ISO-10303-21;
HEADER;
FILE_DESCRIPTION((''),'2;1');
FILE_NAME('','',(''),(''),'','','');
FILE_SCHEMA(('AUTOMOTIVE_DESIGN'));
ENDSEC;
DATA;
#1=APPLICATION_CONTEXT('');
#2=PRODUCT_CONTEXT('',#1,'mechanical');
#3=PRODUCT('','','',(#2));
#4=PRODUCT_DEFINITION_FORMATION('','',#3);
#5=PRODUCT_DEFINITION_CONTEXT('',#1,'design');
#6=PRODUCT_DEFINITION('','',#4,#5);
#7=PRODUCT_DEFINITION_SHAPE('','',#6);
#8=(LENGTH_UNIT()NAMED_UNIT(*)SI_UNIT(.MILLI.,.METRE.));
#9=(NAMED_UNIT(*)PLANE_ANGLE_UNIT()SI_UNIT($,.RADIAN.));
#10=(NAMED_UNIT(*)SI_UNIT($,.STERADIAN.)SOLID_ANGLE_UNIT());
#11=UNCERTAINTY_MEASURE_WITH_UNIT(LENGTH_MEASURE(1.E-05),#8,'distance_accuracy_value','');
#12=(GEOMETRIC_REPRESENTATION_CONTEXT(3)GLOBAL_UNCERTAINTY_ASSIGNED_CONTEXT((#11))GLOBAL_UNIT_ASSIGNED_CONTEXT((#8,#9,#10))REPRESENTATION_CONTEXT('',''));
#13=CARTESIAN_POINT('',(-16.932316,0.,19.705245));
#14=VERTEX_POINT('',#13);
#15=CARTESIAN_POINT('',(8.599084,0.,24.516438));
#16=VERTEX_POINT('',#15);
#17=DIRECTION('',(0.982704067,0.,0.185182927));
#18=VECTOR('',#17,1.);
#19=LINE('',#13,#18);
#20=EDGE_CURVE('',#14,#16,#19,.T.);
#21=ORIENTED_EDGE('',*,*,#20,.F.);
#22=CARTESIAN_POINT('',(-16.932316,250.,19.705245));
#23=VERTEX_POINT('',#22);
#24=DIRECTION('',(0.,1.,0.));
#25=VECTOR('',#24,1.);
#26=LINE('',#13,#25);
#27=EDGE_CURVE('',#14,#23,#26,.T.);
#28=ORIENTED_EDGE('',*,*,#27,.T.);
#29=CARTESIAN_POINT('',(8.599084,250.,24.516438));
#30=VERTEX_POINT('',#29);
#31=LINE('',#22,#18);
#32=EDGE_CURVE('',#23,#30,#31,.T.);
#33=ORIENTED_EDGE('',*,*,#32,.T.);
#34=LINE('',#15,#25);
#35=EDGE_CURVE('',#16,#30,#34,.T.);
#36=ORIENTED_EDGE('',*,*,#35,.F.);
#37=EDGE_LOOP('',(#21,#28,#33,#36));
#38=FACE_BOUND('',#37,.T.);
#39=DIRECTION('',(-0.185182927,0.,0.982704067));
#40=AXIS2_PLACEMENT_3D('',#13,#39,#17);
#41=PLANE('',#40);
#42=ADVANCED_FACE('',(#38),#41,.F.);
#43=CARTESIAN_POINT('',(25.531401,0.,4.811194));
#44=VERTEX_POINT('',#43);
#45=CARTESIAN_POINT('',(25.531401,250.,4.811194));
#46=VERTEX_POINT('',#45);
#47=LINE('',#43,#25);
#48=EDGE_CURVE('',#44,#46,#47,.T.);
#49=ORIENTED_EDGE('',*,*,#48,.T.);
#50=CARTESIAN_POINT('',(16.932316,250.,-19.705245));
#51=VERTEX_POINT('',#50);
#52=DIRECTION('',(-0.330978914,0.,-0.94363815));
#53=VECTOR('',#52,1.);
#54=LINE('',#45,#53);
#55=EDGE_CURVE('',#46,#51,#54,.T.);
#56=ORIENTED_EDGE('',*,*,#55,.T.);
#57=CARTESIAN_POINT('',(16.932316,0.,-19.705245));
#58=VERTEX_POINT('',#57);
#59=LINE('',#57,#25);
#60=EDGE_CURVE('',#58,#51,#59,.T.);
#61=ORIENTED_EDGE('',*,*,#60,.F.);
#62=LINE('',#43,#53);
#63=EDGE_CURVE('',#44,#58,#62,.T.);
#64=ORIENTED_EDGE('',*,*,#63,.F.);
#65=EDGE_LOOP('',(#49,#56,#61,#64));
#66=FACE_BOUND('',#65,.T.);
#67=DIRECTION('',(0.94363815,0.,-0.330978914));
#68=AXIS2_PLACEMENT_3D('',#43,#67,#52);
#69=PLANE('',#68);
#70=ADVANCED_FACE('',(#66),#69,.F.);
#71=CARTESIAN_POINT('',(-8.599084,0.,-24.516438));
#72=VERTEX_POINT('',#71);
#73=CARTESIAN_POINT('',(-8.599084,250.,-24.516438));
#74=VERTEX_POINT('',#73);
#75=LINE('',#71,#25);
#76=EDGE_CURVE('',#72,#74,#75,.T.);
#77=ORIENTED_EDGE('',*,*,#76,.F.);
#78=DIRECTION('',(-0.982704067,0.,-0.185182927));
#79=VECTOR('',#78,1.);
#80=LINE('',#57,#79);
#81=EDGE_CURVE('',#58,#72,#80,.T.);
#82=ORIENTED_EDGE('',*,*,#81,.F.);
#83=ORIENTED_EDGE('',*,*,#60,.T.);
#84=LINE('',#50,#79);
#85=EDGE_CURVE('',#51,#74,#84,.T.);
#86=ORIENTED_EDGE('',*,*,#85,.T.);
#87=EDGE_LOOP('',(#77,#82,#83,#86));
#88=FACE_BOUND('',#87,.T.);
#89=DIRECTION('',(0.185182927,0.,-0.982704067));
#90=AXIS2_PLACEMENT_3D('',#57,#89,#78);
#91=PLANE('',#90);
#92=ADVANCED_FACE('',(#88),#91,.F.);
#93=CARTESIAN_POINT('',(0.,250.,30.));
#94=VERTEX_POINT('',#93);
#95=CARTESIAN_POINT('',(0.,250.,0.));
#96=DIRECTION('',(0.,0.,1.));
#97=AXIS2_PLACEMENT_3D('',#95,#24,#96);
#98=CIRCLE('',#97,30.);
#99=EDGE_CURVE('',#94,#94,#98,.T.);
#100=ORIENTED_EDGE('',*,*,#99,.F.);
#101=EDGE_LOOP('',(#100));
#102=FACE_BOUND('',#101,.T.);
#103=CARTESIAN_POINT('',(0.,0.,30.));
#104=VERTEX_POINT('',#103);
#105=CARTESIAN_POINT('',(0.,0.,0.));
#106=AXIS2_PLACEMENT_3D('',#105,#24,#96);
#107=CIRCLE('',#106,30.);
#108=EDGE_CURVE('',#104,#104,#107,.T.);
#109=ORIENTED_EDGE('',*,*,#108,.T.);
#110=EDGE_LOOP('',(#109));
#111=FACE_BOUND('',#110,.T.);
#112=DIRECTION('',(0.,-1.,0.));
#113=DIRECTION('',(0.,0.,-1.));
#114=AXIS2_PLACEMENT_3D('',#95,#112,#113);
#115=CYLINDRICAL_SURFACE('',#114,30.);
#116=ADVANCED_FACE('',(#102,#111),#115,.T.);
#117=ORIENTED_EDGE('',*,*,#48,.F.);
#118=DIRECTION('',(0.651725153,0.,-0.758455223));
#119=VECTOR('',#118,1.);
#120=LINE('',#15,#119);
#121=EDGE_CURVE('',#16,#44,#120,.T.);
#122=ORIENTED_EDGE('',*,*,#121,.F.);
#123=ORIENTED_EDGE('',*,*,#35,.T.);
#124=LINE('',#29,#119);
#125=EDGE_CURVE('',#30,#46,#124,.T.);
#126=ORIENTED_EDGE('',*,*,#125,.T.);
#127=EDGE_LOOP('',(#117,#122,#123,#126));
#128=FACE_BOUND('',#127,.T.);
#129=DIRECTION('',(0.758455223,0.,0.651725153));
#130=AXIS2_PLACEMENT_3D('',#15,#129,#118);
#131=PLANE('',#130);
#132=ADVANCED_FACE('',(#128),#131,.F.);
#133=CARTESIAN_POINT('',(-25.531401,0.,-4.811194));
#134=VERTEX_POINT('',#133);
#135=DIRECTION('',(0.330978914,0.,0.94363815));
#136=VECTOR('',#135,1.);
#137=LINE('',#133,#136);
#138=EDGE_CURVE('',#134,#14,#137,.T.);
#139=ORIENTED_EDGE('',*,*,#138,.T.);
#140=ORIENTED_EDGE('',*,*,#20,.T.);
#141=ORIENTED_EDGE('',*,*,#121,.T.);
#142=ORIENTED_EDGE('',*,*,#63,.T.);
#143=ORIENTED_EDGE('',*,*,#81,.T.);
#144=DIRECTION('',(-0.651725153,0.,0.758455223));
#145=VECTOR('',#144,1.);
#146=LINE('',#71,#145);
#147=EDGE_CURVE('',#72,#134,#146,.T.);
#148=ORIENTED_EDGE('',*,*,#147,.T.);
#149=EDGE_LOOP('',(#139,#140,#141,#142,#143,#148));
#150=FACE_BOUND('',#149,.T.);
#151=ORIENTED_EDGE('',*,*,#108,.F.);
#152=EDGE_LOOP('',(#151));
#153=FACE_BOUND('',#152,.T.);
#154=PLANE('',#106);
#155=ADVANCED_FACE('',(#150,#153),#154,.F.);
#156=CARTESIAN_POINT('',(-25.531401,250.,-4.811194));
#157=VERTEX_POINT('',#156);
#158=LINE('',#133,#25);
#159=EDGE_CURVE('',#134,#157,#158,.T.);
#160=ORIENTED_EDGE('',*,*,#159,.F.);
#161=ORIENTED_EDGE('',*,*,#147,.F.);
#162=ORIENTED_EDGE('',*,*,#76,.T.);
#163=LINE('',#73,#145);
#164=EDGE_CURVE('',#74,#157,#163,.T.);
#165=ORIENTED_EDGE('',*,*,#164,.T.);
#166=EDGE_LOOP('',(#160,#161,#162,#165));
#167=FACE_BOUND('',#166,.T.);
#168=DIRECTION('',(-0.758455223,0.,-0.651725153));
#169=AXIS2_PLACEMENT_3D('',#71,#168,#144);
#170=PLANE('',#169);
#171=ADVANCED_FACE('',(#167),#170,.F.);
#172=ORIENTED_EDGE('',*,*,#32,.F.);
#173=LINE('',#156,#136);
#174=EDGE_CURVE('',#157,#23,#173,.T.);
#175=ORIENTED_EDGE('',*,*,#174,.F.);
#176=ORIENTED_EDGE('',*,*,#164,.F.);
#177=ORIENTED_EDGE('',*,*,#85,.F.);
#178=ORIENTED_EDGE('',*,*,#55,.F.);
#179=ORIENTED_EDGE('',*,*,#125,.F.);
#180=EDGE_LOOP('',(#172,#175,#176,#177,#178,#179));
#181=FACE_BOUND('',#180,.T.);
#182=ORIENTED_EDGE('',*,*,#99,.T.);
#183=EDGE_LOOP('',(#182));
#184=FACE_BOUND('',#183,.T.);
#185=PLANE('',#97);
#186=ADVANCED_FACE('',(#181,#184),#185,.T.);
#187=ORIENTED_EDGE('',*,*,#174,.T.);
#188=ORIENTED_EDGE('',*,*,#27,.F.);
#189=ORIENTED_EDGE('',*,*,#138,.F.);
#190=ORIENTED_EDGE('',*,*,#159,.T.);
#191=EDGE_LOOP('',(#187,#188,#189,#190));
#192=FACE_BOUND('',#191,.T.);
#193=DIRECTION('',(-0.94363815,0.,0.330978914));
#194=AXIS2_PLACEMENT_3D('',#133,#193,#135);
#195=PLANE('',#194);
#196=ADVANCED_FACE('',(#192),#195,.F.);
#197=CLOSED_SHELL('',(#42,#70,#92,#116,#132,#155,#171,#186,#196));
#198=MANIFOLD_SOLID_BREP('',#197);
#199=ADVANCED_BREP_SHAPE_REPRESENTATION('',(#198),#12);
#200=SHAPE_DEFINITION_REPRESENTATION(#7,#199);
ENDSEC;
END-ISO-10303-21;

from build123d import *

# Parameters (mm, degrees)
SKETCH_1_R          = 30
EXTRUDE_1_DEPTH     = 250
CUT_EXTRUDE_1_DEPTH = 254.574446662


with BuildPart() as part:
    # 草图1 → 凸台-拉伸1 (new body)
    with BuildSketch(Plane(origin=(0, 0, 0), x_dir=(1, 0, 0), z_dir=(0, 1, 0))):
        with Locations(Location((0, 0, 0), (0, 0, 270))):
            Circle(SKETCH_1_R)
    extrude(amount=EXTRUDE_1_DEPTH)

    # 草图3 → 切除-拉伸1 (cut, through all)
    with BuildSketch(Plane(origin=(0, 250, 0), x_dir=(1, 0, 0), z_dir=(0, 1, 0))):
        Polygon((25.531400595, -4.811193579), (16.93231616, 19.70524472), (-8.599084435, 24.516438299), (-25.531400595, 4.811193579), (-16.93231616, -19.70524472), (8.599084435, -24.516438299), align=None)
    extrude(amount=-CUT_EXTRUDE_1_DEPTH, mode=Mode.SUBTRACT)


solid = part.part
